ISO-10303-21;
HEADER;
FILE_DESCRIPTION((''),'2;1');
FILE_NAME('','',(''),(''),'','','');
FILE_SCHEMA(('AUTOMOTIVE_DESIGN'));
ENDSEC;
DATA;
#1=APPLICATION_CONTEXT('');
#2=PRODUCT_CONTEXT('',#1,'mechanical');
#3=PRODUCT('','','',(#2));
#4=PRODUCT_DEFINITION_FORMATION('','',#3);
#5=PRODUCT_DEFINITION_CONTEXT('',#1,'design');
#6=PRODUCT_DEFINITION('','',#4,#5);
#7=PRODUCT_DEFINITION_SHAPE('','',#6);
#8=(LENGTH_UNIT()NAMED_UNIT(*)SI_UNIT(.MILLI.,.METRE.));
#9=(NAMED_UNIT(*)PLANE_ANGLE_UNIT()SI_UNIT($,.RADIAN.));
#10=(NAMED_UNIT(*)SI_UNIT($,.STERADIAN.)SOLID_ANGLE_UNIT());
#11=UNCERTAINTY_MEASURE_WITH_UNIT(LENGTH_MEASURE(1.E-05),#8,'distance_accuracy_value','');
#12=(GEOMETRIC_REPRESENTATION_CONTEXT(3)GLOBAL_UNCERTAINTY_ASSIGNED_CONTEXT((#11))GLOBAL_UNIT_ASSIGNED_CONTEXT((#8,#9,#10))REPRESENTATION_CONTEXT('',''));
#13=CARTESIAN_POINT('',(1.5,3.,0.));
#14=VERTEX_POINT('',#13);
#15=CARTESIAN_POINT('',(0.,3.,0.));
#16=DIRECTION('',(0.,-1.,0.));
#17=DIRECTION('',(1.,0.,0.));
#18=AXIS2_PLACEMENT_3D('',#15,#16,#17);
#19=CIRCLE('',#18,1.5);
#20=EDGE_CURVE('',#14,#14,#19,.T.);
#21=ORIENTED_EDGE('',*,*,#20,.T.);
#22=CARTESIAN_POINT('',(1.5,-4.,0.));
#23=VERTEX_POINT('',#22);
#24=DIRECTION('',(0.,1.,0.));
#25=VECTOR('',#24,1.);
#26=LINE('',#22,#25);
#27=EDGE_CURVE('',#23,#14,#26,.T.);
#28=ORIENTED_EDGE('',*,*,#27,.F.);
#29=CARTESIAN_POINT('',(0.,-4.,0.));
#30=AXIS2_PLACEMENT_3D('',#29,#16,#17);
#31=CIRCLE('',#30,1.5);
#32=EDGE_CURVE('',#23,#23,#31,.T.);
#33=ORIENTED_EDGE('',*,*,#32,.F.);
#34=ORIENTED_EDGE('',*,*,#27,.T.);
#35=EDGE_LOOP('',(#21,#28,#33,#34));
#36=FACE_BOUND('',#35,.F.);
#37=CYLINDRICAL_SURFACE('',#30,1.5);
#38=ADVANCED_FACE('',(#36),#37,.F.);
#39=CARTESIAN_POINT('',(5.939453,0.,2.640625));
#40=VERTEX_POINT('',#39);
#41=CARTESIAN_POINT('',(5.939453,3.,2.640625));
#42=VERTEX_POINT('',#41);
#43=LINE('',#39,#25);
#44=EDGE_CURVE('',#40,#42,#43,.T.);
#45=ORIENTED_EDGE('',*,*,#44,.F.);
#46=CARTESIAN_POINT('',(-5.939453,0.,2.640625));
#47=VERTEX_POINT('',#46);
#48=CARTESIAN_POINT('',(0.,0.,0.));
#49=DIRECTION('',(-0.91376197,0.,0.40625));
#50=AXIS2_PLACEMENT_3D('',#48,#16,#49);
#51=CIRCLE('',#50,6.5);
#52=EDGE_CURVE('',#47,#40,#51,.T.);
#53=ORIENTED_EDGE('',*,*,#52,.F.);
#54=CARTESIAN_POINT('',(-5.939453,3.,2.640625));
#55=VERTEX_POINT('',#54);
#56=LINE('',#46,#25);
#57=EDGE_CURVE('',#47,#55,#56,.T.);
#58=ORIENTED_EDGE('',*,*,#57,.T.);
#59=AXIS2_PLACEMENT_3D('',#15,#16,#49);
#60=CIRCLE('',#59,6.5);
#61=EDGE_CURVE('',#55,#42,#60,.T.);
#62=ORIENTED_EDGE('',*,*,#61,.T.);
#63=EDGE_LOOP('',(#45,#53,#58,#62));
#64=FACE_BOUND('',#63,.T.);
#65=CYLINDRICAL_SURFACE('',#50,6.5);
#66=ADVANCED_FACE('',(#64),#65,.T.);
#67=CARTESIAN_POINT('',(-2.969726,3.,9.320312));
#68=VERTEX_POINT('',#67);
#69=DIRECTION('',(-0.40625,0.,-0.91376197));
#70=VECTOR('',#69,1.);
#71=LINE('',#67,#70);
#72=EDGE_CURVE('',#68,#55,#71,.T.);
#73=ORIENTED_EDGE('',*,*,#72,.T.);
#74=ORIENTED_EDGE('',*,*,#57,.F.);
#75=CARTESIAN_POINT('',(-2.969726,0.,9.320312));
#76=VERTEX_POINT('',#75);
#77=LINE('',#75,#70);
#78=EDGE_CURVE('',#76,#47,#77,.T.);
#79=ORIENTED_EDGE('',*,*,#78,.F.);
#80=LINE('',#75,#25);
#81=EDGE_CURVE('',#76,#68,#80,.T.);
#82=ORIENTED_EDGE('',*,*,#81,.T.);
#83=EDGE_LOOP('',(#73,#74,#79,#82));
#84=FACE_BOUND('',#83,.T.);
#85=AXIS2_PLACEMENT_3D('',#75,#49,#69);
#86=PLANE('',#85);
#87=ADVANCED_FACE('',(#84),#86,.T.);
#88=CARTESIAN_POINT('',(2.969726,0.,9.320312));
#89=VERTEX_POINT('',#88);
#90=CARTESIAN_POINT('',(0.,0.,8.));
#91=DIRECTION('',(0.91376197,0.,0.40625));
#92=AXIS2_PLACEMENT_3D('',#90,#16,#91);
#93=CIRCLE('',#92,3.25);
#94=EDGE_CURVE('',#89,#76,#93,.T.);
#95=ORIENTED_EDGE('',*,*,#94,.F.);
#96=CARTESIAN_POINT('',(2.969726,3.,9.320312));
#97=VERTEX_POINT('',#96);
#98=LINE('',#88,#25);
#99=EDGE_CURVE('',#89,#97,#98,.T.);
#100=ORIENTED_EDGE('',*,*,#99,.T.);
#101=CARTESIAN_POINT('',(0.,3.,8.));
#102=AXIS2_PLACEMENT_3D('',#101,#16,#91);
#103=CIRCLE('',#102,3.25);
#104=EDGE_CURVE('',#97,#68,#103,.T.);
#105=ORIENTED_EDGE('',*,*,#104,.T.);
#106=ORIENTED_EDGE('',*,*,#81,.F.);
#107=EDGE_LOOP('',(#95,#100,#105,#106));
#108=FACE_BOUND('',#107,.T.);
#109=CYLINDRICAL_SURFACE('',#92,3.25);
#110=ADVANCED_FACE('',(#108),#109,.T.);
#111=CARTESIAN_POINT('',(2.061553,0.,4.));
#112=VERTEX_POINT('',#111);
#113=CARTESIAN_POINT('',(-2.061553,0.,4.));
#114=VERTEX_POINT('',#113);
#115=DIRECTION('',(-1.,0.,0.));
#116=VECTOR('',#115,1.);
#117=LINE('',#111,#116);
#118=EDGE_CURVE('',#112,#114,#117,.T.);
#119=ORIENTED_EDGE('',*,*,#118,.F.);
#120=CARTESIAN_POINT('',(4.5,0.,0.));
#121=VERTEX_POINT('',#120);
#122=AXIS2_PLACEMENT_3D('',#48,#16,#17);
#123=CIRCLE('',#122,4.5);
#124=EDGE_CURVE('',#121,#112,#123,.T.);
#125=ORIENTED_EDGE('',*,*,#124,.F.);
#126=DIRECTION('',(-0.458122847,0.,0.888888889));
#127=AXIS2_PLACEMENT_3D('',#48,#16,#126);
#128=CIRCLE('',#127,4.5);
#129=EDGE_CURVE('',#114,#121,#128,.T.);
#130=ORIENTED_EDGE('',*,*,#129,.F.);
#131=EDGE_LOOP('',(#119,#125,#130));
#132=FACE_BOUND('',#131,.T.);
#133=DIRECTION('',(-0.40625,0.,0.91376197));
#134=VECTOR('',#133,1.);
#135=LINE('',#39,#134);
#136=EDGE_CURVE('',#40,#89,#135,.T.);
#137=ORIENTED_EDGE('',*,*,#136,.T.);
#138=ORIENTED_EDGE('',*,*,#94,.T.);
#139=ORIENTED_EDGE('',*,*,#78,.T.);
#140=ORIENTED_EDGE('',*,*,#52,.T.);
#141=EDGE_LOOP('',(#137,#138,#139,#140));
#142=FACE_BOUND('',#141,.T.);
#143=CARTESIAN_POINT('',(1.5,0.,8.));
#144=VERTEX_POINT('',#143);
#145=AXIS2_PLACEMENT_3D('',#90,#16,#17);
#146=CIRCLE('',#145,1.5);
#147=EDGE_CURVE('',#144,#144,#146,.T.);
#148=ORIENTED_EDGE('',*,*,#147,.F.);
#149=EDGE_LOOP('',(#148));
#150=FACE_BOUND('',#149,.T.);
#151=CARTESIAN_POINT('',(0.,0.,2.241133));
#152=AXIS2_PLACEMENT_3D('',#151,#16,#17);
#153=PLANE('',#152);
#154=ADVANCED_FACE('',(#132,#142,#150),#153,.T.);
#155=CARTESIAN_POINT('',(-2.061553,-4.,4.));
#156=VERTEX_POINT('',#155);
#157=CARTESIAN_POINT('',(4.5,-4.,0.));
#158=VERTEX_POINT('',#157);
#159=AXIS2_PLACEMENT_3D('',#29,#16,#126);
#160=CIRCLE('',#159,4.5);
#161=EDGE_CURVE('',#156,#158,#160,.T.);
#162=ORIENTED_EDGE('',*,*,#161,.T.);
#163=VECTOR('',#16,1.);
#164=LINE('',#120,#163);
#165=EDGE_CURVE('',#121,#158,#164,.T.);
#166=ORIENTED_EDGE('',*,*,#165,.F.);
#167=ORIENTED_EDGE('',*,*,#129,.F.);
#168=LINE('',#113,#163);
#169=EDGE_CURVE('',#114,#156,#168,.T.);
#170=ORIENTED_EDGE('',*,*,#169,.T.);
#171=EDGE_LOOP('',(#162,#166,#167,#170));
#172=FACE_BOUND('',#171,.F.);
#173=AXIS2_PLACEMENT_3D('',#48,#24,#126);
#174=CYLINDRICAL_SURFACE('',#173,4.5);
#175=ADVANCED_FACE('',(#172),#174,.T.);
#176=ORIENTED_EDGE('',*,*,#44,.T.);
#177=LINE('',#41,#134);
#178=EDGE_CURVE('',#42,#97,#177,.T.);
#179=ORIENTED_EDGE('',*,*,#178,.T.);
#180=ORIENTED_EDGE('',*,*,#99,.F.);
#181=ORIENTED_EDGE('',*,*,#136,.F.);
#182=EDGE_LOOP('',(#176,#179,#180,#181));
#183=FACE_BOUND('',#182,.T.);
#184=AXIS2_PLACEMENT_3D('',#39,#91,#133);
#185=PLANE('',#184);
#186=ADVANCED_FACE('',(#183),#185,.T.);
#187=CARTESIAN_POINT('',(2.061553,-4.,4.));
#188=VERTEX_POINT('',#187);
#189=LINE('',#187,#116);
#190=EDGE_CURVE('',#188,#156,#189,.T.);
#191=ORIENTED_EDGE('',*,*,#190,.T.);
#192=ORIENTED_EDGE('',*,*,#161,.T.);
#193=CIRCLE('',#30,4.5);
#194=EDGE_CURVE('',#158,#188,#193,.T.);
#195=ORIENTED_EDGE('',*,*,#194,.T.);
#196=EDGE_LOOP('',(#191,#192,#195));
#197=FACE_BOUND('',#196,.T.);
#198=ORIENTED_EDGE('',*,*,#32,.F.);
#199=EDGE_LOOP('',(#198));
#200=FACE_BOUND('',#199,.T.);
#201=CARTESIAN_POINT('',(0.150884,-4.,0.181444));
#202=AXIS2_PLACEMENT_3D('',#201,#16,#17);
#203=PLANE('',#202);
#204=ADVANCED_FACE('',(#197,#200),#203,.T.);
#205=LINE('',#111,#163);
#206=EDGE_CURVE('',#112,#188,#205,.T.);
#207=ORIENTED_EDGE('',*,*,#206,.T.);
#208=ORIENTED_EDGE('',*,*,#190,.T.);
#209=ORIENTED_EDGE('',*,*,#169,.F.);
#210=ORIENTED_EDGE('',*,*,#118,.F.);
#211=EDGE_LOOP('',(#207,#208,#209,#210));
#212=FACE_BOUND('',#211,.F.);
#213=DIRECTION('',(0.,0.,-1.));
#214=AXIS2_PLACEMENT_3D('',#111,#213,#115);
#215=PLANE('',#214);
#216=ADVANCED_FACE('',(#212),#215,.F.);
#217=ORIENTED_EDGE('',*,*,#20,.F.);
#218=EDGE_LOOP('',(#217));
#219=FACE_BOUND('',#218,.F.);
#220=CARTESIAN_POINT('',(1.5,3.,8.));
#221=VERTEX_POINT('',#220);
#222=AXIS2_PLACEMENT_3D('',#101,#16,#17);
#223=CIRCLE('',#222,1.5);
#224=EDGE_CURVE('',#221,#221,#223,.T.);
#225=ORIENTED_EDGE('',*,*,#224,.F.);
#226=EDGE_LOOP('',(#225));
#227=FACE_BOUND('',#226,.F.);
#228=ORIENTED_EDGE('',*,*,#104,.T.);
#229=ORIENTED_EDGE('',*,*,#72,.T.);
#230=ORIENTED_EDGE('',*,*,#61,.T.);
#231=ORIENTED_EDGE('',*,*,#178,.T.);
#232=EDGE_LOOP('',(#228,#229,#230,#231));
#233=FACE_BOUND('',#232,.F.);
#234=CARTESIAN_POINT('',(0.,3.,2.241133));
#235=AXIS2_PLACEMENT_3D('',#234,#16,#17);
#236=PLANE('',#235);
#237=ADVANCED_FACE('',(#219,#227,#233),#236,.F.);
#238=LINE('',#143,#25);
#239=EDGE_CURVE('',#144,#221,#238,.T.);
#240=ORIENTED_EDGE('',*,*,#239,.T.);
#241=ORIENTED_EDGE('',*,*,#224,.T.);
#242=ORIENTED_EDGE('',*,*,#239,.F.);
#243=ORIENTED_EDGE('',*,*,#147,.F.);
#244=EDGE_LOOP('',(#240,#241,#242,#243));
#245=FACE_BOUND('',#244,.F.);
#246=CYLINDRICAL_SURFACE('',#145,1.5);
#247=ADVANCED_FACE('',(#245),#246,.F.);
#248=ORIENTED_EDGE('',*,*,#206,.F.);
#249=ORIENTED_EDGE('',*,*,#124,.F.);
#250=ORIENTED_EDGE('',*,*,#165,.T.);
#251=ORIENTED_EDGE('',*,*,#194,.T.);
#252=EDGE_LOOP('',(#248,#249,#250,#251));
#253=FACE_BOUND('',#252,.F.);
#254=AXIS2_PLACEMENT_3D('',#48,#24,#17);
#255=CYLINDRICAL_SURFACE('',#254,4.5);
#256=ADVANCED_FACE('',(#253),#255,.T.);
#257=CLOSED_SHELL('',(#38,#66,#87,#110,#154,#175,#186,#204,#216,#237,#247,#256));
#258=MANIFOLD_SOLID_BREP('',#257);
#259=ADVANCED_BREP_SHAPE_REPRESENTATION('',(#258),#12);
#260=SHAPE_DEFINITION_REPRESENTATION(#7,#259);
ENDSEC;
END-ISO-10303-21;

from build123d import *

# Parameters (mm, degrees)
F0_R     = 1.5
F1_DEPTH = 3
F3_DEPTH = 4
F4_R     = 1.5
F5_DEPTH = 20


with BuildPart() as f1:
    # F0 (on Front) → F1 (new body)
    with BuildSketch(Plane.XZ):
        with BuildLine():
            Line((5.9394528039, 2.640625), (2.9697264019, 9.3203125))
            ThreePointArc((2.9697264019, 9.3203125), (0, 11.25), (-2.9697264019, 9.3203125))
            Line((-2.9697264019, 9.3203125), (-5.9394528039, 2.640625))
            ThreePointArc((-5.9394528039, 2.640625), (0, -6.5), (5.9394528039, 2.640625))
        make_face()
        with Locations((0, 8)):
            Circle(F0_R, mode=Mode.SUBTRACT)
    extrude(amount=-F1_DEPTH)

    # F2 (on face) → F3 (join)
    with BuildSketch(Plane.XZ):
        with BuildLine():
            ThreePointArc((-2.0615528128, 4), (-2.3423292192, -3.8423292192), (4.5, 0))
            ThreePointArc((4.5, 0), (3.8423292192, 2.3423292192), (2.0615528128, 4))
            Line((2.0615528128, 4), (-2.0615528128, 4))
        make_face()
    extrude(amount=F3_DEPTH)

    # F4 (on face) → F5 (cut)
    with BuildSketch(Plane.XZ.offset(4)):
        Circle(F4_R)
    extrude(amount=-F5_DEPTH, mode=Mode.SUBTRACT)


solid = f1.part
